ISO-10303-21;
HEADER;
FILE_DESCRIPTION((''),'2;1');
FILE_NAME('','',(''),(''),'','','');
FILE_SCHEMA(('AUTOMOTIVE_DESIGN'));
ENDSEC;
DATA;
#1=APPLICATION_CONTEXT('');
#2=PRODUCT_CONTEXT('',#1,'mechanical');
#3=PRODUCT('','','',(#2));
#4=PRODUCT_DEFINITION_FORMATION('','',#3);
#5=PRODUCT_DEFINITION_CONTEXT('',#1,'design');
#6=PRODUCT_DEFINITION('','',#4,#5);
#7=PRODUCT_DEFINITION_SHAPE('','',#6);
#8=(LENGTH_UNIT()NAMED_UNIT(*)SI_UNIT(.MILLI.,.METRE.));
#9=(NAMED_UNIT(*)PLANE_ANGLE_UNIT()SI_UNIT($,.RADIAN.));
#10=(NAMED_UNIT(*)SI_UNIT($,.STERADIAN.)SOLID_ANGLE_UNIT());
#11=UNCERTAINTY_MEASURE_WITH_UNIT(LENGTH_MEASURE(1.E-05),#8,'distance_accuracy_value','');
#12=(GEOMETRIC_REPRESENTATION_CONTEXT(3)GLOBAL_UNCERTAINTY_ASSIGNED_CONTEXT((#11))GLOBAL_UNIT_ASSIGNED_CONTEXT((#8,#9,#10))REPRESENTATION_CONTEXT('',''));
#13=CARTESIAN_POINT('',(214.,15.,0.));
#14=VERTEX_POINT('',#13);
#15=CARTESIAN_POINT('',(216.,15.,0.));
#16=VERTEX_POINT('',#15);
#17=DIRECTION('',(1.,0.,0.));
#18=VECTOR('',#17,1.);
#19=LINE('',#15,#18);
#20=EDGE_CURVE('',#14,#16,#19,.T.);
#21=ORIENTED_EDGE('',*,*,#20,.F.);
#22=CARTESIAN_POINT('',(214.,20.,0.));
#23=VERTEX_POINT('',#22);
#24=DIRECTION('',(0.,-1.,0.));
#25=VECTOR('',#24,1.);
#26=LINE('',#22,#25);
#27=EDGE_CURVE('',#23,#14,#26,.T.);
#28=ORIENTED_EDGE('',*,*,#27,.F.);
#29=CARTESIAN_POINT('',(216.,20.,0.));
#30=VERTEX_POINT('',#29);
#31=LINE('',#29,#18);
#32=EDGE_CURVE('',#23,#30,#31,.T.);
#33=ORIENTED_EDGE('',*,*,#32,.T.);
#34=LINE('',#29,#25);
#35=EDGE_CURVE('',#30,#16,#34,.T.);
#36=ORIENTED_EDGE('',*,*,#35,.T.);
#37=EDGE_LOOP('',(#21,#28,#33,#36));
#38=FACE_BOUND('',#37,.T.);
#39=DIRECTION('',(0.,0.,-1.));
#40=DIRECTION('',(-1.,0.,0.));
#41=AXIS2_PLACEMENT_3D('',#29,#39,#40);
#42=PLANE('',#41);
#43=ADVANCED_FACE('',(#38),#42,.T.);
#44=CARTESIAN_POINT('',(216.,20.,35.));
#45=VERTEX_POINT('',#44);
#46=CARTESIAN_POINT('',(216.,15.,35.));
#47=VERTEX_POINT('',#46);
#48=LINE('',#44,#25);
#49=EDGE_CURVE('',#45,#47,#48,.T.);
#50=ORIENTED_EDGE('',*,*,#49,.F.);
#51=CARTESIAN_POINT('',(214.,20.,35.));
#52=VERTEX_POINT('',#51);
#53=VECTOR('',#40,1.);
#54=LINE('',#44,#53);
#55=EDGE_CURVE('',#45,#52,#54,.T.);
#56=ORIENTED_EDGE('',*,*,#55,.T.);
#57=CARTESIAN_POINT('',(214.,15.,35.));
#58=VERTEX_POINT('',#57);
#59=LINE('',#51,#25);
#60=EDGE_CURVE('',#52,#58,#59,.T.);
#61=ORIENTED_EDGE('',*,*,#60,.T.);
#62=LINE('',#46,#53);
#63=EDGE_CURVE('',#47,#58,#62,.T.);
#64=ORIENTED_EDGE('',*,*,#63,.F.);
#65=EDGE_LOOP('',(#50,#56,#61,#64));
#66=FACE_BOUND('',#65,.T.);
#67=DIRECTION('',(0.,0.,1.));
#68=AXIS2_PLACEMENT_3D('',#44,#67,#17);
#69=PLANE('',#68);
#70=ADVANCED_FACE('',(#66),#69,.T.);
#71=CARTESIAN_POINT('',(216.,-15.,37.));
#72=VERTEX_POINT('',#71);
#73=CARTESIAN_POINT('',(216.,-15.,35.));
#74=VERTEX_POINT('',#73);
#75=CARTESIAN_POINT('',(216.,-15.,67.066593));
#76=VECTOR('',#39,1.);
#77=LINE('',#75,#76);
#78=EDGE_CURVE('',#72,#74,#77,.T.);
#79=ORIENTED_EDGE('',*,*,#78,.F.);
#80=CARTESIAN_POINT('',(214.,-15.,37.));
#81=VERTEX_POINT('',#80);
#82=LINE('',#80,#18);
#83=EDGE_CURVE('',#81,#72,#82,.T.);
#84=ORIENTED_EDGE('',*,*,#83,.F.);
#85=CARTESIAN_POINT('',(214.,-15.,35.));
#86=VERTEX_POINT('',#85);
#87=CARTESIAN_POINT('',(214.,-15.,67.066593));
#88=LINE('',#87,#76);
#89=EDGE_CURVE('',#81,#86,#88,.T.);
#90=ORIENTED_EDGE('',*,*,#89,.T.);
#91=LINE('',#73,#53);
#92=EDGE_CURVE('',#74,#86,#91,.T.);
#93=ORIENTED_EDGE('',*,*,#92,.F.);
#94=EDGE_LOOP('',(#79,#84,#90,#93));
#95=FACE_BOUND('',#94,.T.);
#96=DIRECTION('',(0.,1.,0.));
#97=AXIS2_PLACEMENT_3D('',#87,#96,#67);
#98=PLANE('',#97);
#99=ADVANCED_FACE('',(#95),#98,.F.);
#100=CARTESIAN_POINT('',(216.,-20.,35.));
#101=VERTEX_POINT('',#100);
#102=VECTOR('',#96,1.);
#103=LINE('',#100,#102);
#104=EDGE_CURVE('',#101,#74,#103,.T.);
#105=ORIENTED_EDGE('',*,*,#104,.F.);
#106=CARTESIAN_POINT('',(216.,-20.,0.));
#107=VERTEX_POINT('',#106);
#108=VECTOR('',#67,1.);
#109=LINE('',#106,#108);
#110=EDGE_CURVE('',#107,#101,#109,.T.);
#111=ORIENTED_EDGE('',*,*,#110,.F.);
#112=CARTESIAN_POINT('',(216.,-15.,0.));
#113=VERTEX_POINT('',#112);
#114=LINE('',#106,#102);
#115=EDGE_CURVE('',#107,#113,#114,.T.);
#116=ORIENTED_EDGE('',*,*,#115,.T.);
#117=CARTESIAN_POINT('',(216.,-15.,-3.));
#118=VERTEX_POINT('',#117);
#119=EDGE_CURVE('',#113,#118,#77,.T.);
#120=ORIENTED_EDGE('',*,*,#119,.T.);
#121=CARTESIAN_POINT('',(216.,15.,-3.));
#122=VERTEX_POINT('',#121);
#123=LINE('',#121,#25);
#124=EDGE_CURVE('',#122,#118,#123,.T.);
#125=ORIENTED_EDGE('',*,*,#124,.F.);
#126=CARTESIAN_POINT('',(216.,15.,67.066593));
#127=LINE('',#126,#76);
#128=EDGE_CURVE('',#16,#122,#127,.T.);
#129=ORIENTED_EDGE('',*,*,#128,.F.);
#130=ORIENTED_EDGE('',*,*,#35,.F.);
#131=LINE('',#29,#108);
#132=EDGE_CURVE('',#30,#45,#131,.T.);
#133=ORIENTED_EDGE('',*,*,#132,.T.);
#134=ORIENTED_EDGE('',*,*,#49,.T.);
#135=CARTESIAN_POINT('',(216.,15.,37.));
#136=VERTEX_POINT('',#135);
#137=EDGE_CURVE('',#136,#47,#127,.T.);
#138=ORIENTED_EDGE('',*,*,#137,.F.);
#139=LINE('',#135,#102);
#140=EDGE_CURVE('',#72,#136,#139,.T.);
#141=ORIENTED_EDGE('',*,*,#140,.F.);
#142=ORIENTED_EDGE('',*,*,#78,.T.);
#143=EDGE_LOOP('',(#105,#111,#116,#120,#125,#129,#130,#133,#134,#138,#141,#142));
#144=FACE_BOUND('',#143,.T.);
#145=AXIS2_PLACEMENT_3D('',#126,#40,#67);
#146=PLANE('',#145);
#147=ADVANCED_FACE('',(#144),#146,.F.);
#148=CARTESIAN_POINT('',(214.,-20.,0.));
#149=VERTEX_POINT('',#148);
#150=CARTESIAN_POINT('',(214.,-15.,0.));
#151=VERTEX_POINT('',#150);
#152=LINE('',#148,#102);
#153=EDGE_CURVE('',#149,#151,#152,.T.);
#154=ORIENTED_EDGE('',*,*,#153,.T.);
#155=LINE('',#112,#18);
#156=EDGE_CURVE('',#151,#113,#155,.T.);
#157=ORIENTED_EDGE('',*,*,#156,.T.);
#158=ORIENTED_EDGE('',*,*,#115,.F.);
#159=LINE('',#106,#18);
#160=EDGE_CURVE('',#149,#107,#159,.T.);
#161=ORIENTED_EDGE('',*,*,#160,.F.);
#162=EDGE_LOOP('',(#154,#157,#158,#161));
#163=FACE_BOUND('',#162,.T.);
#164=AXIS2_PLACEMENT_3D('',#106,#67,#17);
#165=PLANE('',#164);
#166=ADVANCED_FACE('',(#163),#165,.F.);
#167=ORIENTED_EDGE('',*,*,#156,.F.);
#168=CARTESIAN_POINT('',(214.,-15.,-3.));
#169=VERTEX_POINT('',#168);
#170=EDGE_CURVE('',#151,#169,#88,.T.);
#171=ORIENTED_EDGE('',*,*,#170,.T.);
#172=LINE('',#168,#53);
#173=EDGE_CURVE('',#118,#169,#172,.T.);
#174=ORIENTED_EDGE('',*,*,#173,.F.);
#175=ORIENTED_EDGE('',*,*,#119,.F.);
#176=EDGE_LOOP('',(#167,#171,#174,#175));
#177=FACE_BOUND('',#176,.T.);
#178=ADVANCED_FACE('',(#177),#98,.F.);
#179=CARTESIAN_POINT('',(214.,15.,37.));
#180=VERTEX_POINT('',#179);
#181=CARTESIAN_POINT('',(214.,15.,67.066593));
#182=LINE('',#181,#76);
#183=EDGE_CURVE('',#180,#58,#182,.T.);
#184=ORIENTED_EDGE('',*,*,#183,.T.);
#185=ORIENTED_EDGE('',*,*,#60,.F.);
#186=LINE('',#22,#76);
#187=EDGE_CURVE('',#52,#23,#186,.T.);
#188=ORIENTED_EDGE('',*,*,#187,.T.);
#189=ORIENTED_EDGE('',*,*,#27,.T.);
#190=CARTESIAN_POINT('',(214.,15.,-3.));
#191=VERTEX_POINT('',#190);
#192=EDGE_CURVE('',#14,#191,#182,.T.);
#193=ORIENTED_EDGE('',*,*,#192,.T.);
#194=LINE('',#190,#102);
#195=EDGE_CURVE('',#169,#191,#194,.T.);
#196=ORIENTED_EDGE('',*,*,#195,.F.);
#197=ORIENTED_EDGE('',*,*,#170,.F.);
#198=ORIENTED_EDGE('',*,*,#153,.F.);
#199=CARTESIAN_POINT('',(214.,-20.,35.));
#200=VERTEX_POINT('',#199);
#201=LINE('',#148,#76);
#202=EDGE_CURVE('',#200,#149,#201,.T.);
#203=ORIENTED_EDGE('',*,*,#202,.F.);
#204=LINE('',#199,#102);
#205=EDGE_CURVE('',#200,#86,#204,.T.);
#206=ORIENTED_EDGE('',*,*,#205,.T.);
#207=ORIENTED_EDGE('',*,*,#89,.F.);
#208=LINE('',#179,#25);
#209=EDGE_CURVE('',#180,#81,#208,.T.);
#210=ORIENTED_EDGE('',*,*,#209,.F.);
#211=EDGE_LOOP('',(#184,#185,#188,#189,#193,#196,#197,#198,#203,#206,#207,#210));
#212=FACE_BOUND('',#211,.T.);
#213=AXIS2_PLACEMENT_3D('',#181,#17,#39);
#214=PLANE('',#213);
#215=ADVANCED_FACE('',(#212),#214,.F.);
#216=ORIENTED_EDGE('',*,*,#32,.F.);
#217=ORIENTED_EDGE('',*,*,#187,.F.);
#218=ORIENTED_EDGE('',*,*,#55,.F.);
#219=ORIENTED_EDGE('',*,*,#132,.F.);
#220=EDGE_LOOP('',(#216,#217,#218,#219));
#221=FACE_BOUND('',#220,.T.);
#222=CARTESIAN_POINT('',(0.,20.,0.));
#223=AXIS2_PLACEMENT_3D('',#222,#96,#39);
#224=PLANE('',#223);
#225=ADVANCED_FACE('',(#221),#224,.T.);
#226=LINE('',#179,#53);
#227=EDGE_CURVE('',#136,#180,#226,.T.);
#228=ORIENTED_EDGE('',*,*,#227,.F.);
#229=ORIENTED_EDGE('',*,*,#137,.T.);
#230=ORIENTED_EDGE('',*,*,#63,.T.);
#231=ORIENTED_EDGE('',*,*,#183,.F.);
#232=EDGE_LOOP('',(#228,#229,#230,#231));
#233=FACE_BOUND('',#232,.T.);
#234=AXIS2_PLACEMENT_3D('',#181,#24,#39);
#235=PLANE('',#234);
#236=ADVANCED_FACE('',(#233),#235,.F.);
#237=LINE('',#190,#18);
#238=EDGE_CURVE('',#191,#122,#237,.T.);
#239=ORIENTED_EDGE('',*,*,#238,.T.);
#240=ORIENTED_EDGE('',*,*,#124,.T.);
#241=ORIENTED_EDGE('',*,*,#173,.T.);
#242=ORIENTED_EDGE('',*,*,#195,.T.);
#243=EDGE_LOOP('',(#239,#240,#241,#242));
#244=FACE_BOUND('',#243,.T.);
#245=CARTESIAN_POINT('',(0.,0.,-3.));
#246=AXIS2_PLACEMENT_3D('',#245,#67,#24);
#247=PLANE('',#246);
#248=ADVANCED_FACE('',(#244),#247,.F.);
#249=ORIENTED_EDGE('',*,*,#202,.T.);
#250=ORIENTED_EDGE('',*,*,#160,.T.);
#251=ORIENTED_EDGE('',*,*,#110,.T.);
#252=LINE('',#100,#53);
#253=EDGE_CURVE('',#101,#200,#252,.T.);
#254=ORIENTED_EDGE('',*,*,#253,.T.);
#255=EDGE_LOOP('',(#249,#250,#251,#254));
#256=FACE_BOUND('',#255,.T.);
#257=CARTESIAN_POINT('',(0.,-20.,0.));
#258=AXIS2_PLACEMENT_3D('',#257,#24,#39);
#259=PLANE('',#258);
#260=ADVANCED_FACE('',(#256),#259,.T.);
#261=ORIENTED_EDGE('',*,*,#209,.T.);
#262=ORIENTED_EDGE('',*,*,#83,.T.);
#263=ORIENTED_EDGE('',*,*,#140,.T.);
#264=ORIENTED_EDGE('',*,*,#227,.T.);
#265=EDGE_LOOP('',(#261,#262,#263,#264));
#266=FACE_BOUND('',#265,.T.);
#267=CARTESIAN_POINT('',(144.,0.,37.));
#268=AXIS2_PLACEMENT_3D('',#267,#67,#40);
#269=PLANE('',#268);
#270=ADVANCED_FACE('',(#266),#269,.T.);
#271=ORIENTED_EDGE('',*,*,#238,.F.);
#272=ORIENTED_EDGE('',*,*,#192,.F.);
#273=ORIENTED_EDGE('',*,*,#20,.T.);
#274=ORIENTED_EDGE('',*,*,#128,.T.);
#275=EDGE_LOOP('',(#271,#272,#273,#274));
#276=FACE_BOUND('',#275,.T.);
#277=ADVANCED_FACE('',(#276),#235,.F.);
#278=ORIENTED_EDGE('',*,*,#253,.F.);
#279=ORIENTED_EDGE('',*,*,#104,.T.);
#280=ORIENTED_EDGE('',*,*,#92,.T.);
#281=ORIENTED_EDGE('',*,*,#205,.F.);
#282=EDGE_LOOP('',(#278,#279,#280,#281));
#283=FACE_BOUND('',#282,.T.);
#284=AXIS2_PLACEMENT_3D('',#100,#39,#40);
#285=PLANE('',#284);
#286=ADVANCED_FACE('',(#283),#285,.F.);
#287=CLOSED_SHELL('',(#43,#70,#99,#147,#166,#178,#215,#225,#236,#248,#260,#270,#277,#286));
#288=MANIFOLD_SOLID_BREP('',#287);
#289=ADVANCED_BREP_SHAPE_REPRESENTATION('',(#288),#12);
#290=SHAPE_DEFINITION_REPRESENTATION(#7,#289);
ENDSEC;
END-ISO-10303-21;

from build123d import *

# Parameters (mm, degrees)
ESTRUSIONE_ESTRUSIONE1_DEPTH      = 37
ESTRUSIONE_ESTRUSIONE1_DEPTH_BACK = 3
SCHIZZO1_W                        = 2
SCHIZZO1_H                        = 30
SCHIZZO2_W                        = 2
SCHIZZO2_H                        = 35
ESTRUSIONE_ESTRUSIONE2_DEPTH      = 5


with BuildPart() as part:
    # Schizzo1 → Estrusione-Estrusione1 (new, two sides: drawn at the far end of the back side and taken through both)
    with BuildSketch(Plane.XY.offset(-ESTRUSIONE_ESTRUSIONE1_DEPTH_BACK)):
        with Locations((215, 0)):
            Rectangle(SCHIZZO1_W, SCHIZZO1_H)
    extrude(amount=ESTRUSIONE_ESTRUSIONE1_DEPTH + ESTRUSIONE_ESTRUSIONE1_DEPTH_BACK)

    # Schizzo2 → Estrusione-Estrusione2 (add)
    with BuildSketch(Plane.XZ.offset(15)):
        with Locations((215, 17.5)):
            Rectangle(SCHIZZO2_W, SCHIZZO2_H)
    estrusione_estrusione2 = extrude(amount=ESTRUSIONE_ESTRUSIONE2_DEPTH)

    # Specchia1: Estrusione-Estrusione2 across plane
    add(estrusione_estrusione2.mirror(Plane.ZX))


solid = part.part
